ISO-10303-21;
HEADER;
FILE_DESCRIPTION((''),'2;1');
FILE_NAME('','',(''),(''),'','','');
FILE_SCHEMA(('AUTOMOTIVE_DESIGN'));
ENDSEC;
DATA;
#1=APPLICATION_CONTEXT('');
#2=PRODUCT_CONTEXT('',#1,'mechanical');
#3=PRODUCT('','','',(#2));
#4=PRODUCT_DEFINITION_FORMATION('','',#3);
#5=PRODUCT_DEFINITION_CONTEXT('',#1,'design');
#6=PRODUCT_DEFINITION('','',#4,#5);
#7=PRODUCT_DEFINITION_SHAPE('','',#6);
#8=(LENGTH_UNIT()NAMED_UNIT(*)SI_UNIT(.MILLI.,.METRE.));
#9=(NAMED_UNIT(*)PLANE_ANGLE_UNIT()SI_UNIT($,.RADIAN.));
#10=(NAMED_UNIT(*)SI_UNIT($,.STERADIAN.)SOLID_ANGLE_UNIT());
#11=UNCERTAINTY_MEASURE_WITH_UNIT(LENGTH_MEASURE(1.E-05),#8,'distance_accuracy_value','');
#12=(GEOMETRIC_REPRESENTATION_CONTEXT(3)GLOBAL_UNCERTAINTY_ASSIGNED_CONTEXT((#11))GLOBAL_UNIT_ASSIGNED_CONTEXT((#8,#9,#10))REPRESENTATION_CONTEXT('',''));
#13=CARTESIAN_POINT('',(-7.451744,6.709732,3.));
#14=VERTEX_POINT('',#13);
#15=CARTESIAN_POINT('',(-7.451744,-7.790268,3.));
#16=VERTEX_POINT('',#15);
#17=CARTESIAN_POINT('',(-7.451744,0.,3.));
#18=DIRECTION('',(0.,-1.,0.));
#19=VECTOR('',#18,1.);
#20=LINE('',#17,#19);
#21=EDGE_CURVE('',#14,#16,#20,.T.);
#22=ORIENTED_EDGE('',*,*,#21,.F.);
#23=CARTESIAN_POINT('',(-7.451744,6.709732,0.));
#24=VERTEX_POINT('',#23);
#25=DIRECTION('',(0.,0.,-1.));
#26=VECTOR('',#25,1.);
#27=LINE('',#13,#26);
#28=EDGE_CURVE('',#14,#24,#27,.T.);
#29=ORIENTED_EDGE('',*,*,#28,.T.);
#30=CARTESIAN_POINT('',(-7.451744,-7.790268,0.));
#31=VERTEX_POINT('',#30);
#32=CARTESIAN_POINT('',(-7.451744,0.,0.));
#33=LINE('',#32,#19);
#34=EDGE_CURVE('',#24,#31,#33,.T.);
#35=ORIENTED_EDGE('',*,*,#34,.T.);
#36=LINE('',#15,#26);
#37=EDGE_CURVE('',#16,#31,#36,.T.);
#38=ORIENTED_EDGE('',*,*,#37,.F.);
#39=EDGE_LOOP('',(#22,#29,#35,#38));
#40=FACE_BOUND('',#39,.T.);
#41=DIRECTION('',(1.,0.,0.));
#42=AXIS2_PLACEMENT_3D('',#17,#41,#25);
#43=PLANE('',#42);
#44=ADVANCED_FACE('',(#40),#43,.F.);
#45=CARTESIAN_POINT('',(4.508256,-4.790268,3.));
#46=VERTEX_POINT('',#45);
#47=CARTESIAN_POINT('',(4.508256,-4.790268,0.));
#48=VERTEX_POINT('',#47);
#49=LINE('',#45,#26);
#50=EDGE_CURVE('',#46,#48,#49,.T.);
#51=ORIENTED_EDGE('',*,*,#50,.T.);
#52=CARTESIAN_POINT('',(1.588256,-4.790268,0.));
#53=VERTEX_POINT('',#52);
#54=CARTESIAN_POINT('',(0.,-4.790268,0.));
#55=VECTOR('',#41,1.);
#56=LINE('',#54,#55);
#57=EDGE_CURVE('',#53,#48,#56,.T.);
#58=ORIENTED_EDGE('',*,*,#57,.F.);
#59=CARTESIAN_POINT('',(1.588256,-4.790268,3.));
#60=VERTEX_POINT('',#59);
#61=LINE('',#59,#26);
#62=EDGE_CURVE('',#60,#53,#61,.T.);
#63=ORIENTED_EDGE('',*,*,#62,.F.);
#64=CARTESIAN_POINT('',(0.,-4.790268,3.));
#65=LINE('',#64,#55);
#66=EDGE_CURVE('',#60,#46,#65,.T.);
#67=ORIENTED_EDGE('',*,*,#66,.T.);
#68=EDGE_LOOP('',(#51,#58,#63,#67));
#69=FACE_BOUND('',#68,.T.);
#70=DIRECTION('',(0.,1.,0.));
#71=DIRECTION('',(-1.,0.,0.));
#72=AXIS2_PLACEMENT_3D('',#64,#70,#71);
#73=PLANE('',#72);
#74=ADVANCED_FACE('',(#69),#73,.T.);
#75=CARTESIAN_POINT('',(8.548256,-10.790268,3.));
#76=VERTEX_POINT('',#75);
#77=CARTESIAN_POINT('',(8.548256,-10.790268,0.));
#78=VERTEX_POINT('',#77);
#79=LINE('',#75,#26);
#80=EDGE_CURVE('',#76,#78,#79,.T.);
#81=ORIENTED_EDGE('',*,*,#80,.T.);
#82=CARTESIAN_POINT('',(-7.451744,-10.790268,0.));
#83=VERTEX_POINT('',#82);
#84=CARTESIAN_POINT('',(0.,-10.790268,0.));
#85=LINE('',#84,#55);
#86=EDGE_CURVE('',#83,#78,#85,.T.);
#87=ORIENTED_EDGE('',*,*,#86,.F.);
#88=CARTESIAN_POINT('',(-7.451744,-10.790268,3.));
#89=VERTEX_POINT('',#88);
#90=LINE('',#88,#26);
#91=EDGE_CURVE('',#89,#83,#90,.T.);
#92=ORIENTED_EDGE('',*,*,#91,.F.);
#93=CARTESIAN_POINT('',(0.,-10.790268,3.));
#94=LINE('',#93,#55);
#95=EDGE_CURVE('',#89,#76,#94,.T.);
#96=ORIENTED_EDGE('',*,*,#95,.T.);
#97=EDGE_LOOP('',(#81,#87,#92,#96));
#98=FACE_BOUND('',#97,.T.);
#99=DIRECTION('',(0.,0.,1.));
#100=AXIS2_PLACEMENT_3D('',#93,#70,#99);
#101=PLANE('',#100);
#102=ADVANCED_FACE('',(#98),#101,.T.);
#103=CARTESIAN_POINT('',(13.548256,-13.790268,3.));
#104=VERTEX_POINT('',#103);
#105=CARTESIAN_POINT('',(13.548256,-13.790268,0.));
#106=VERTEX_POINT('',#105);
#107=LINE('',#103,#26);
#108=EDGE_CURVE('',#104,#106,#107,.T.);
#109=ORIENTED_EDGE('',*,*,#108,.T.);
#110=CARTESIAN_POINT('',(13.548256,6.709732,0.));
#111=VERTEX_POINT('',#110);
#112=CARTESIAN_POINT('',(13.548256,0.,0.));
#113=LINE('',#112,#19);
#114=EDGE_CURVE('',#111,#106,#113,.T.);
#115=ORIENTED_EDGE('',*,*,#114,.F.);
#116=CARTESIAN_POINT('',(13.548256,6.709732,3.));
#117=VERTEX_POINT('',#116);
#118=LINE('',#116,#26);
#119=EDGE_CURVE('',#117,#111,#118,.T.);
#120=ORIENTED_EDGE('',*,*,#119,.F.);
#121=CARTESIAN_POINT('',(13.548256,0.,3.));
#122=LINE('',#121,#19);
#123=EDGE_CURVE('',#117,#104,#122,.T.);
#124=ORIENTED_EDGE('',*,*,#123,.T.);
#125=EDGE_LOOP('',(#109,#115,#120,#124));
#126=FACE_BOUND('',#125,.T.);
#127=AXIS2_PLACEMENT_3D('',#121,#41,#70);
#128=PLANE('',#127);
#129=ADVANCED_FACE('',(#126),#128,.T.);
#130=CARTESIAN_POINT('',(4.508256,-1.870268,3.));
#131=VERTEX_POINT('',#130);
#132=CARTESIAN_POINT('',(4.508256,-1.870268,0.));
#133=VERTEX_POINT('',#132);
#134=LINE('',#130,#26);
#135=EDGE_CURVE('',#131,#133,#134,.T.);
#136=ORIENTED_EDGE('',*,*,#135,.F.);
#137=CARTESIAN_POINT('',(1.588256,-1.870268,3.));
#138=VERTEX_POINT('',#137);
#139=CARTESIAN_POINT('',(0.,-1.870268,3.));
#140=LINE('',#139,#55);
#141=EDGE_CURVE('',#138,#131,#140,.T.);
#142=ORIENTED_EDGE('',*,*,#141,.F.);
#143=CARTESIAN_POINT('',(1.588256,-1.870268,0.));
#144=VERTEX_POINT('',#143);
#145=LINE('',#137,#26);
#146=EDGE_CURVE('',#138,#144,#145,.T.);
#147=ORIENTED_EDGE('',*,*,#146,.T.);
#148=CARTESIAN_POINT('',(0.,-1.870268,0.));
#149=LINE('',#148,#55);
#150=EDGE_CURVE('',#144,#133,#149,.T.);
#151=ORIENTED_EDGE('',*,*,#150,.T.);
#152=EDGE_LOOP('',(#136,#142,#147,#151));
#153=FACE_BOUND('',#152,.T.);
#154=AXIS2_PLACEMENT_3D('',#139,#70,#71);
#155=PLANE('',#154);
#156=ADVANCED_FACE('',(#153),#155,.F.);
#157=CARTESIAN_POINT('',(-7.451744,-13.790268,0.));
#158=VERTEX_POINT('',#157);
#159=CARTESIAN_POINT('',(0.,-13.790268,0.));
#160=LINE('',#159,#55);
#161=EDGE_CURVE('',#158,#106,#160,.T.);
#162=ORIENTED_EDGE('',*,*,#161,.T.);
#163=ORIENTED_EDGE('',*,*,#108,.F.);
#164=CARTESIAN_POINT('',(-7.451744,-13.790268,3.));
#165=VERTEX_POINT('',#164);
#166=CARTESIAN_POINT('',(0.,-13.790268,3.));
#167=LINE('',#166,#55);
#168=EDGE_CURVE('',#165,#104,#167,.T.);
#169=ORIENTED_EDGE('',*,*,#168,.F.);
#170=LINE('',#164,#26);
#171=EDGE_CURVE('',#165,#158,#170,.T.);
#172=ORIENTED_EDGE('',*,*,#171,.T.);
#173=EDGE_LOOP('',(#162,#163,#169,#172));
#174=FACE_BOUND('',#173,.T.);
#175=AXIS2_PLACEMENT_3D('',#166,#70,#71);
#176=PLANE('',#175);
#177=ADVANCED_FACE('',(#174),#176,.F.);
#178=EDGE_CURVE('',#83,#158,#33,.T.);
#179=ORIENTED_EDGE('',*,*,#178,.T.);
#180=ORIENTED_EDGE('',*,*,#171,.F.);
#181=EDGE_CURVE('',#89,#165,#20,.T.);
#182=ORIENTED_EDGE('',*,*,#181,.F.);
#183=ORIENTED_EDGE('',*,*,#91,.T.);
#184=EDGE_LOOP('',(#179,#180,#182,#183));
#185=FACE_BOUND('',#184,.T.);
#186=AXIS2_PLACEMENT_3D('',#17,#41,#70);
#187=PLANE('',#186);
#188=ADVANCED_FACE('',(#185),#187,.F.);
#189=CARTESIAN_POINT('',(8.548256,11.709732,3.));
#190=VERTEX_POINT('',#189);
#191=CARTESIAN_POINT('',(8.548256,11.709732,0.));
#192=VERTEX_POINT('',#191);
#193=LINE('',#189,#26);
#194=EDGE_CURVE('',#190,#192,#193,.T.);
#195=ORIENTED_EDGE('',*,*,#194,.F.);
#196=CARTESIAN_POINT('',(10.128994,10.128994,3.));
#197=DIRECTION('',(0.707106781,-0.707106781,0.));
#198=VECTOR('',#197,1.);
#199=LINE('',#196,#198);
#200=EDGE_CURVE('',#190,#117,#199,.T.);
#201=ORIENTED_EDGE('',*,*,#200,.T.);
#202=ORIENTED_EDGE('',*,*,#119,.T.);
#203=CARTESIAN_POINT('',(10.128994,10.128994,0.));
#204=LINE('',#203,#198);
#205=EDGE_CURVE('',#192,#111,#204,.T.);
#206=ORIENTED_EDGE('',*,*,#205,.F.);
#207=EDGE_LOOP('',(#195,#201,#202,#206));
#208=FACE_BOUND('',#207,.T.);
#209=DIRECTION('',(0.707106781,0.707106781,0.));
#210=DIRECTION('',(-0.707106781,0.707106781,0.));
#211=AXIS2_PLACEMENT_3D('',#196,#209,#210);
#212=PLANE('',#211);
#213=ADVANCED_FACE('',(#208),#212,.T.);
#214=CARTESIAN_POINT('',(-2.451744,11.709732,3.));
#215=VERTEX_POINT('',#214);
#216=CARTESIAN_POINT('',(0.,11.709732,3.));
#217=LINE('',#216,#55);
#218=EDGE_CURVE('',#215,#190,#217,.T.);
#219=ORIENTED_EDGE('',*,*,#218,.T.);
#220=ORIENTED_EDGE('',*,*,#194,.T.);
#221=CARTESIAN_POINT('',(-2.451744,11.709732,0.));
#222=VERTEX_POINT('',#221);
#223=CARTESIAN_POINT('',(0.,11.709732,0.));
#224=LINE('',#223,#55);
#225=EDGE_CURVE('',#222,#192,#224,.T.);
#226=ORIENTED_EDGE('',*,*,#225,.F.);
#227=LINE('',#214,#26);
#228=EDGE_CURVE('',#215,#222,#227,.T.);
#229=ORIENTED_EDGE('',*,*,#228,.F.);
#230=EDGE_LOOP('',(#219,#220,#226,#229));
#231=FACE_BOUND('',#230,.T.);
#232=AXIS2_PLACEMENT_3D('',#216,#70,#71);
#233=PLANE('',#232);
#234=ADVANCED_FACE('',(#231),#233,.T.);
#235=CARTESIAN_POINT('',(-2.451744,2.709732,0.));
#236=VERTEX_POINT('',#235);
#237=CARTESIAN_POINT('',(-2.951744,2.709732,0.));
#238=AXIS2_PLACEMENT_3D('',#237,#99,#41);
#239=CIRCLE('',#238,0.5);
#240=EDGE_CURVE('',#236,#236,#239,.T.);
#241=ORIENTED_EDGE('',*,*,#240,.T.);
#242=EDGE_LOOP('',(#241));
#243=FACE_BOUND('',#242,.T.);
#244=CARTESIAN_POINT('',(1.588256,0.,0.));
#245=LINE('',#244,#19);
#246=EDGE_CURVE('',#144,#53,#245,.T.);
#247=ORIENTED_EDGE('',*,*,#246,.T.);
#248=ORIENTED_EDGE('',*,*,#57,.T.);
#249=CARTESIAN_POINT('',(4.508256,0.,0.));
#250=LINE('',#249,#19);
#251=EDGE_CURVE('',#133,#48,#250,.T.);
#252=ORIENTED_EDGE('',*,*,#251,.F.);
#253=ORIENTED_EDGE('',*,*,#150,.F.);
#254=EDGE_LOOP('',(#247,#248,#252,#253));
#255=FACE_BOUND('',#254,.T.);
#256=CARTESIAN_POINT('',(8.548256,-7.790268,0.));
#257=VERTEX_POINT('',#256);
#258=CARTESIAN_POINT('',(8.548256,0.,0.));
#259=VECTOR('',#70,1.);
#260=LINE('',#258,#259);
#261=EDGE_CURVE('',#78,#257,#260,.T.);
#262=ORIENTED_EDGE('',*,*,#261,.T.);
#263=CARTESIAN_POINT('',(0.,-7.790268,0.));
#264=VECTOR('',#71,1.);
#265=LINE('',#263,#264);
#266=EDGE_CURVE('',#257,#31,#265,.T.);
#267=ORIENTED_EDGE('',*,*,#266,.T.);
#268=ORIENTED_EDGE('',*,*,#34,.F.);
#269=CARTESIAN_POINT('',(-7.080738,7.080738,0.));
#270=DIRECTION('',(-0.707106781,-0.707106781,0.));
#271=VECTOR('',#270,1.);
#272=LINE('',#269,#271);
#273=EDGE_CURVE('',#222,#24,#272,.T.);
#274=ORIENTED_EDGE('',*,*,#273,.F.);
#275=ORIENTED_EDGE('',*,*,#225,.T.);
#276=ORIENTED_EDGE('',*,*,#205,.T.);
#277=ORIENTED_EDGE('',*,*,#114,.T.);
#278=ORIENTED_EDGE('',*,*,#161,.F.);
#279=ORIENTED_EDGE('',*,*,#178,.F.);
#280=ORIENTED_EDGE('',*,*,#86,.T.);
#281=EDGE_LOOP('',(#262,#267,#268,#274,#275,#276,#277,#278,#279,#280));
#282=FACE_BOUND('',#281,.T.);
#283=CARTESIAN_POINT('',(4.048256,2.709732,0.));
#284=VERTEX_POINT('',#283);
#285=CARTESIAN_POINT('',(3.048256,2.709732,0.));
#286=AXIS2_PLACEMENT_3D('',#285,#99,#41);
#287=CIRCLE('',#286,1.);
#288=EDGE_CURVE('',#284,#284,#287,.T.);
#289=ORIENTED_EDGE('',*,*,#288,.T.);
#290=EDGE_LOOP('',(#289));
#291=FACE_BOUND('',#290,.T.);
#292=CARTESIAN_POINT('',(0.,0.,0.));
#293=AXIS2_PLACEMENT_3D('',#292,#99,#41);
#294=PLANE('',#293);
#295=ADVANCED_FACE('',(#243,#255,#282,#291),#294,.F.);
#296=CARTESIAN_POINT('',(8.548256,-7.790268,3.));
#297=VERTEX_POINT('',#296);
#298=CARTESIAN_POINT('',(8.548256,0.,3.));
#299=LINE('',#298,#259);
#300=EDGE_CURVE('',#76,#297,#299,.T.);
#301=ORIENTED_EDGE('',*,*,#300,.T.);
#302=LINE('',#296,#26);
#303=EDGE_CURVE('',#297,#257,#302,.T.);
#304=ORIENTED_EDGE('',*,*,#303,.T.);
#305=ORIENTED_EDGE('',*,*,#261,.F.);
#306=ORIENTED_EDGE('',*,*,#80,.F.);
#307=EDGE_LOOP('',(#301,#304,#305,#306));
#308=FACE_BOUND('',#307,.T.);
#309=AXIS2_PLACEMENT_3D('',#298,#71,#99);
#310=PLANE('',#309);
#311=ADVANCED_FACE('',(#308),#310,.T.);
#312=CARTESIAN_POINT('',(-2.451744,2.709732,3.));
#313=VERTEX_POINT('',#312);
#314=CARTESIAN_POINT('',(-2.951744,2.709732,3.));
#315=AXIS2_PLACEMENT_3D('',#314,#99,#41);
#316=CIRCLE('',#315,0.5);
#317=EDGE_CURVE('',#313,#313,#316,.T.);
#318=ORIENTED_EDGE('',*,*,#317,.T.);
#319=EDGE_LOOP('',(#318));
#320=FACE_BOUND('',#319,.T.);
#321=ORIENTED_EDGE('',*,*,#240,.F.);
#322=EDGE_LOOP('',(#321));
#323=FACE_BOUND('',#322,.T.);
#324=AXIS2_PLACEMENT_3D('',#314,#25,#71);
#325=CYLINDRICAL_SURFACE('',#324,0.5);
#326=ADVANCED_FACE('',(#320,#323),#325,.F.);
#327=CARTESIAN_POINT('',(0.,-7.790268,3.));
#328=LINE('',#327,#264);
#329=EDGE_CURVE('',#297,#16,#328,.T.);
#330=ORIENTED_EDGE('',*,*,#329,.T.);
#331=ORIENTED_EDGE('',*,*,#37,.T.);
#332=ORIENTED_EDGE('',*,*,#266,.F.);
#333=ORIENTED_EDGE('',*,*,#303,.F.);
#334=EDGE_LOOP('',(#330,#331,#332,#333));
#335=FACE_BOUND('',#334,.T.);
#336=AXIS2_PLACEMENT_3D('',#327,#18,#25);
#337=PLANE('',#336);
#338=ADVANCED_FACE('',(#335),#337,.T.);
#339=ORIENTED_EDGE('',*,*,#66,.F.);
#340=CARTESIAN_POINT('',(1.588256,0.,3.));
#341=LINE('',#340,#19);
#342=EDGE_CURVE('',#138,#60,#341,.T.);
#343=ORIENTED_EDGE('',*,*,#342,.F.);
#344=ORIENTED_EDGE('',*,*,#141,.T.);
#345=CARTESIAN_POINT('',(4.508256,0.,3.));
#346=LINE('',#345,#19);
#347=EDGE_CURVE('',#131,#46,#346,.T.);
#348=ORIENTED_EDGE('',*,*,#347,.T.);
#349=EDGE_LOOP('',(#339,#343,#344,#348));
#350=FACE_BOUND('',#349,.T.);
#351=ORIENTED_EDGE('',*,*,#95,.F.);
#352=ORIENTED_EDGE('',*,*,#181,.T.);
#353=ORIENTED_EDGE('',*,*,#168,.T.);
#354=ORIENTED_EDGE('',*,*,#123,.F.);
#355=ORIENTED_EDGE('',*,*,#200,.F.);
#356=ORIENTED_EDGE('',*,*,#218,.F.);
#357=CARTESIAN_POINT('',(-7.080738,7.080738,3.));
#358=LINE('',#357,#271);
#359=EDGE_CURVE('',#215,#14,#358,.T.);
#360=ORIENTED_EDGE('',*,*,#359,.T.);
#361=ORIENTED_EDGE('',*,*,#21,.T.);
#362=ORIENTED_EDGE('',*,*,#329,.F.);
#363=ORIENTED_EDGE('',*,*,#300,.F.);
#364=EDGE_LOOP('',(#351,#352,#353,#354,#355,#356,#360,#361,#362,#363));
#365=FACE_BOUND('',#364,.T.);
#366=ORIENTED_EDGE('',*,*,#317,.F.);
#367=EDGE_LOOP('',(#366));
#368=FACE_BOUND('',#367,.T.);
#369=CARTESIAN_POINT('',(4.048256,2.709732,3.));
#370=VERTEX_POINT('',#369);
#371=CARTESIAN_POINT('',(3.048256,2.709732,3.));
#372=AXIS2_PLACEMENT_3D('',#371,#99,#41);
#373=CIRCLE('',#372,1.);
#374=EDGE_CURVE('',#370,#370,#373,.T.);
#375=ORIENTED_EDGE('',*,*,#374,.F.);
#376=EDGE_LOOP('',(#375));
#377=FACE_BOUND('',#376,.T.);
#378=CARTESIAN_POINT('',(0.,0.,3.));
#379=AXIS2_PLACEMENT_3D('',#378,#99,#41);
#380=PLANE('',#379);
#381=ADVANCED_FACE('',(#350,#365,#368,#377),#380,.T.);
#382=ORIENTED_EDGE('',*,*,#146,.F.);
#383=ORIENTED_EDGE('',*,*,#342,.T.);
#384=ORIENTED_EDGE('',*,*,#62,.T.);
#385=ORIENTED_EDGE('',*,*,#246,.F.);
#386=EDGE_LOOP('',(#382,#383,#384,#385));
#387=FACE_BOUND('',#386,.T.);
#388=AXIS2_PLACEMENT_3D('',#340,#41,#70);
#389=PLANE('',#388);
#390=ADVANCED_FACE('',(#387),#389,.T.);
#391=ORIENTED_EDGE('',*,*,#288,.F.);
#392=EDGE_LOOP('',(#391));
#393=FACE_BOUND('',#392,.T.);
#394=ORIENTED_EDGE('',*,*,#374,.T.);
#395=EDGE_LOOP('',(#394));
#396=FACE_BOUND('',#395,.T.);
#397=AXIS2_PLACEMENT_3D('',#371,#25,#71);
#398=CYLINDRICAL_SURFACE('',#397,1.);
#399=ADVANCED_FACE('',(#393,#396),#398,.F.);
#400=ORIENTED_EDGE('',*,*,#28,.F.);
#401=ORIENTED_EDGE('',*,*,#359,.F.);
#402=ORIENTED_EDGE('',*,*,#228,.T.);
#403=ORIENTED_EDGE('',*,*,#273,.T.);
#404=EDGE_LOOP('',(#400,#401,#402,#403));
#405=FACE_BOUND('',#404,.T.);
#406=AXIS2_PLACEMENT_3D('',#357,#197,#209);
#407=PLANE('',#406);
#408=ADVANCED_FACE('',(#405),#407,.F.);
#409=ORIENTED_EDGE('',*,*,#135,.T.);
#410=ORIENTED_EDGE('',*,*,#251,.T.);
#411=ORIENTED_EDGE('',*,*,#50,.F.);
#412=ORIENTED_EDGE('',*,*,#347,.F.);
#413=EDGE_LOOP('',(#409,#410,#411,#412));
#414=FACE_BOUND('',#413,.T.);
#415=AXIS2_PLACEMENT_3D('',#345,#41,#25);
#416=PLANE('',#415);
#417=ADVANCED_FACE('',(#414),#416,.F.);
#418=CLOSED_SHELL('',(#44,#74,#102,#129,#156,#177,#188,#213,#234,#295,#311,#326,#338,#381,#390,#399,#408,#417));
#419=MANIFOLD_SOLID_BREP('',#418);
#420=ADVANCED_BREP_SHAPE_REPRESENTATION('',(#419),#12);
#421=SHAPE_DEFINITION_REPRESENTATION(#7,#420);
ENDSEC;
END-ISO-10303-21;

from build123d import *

# Parameters (mm, degrees)
SKETCH1_W           = 2.92
SKETCH1_H           = 2.92
SKETCH1_R           = 0.5
SKETCH1_R_2         = 1
BOSS_EXTRUDE1_DEPTH = 3


with BuildPart() as part:
    # Sketch1 → Boss-Extrude1 (new body)
    with BuildSketch(Plane.XY):
        Polygon((13.5482559, 6.709731544), (8.5482559, 11.709731544), (-2.4517441, 11.709731544), (-7.4517441, 6.709731544), (-7.4517441, -7.790268456), (8.5482559, -7.790268456), (8.5482559, -10.790268456), (-7.4517441, -10.790268456), (-7.4517441, -13.790268456), (13.5482559, -13.790268456), align=None)
        with Locations((3.0482559, -3.330268456)):
            Rectangle(SKETCH1_W, SKETCH1_H, mode=Mode.SUBTRACT)
        with Locations((-2.9517441, 2.709731544)):
            Circle(SKETCH1_R, mode=Mode.SUBTRACT)
        with Locations((3.0482559, 2.709731544)):
            Circle(SKETCH1_R_2, mode=Mode.SUBTRACT)
    extrude(amount=BOSS_EXTRUDE1_DEPTH)


solid = part.part
